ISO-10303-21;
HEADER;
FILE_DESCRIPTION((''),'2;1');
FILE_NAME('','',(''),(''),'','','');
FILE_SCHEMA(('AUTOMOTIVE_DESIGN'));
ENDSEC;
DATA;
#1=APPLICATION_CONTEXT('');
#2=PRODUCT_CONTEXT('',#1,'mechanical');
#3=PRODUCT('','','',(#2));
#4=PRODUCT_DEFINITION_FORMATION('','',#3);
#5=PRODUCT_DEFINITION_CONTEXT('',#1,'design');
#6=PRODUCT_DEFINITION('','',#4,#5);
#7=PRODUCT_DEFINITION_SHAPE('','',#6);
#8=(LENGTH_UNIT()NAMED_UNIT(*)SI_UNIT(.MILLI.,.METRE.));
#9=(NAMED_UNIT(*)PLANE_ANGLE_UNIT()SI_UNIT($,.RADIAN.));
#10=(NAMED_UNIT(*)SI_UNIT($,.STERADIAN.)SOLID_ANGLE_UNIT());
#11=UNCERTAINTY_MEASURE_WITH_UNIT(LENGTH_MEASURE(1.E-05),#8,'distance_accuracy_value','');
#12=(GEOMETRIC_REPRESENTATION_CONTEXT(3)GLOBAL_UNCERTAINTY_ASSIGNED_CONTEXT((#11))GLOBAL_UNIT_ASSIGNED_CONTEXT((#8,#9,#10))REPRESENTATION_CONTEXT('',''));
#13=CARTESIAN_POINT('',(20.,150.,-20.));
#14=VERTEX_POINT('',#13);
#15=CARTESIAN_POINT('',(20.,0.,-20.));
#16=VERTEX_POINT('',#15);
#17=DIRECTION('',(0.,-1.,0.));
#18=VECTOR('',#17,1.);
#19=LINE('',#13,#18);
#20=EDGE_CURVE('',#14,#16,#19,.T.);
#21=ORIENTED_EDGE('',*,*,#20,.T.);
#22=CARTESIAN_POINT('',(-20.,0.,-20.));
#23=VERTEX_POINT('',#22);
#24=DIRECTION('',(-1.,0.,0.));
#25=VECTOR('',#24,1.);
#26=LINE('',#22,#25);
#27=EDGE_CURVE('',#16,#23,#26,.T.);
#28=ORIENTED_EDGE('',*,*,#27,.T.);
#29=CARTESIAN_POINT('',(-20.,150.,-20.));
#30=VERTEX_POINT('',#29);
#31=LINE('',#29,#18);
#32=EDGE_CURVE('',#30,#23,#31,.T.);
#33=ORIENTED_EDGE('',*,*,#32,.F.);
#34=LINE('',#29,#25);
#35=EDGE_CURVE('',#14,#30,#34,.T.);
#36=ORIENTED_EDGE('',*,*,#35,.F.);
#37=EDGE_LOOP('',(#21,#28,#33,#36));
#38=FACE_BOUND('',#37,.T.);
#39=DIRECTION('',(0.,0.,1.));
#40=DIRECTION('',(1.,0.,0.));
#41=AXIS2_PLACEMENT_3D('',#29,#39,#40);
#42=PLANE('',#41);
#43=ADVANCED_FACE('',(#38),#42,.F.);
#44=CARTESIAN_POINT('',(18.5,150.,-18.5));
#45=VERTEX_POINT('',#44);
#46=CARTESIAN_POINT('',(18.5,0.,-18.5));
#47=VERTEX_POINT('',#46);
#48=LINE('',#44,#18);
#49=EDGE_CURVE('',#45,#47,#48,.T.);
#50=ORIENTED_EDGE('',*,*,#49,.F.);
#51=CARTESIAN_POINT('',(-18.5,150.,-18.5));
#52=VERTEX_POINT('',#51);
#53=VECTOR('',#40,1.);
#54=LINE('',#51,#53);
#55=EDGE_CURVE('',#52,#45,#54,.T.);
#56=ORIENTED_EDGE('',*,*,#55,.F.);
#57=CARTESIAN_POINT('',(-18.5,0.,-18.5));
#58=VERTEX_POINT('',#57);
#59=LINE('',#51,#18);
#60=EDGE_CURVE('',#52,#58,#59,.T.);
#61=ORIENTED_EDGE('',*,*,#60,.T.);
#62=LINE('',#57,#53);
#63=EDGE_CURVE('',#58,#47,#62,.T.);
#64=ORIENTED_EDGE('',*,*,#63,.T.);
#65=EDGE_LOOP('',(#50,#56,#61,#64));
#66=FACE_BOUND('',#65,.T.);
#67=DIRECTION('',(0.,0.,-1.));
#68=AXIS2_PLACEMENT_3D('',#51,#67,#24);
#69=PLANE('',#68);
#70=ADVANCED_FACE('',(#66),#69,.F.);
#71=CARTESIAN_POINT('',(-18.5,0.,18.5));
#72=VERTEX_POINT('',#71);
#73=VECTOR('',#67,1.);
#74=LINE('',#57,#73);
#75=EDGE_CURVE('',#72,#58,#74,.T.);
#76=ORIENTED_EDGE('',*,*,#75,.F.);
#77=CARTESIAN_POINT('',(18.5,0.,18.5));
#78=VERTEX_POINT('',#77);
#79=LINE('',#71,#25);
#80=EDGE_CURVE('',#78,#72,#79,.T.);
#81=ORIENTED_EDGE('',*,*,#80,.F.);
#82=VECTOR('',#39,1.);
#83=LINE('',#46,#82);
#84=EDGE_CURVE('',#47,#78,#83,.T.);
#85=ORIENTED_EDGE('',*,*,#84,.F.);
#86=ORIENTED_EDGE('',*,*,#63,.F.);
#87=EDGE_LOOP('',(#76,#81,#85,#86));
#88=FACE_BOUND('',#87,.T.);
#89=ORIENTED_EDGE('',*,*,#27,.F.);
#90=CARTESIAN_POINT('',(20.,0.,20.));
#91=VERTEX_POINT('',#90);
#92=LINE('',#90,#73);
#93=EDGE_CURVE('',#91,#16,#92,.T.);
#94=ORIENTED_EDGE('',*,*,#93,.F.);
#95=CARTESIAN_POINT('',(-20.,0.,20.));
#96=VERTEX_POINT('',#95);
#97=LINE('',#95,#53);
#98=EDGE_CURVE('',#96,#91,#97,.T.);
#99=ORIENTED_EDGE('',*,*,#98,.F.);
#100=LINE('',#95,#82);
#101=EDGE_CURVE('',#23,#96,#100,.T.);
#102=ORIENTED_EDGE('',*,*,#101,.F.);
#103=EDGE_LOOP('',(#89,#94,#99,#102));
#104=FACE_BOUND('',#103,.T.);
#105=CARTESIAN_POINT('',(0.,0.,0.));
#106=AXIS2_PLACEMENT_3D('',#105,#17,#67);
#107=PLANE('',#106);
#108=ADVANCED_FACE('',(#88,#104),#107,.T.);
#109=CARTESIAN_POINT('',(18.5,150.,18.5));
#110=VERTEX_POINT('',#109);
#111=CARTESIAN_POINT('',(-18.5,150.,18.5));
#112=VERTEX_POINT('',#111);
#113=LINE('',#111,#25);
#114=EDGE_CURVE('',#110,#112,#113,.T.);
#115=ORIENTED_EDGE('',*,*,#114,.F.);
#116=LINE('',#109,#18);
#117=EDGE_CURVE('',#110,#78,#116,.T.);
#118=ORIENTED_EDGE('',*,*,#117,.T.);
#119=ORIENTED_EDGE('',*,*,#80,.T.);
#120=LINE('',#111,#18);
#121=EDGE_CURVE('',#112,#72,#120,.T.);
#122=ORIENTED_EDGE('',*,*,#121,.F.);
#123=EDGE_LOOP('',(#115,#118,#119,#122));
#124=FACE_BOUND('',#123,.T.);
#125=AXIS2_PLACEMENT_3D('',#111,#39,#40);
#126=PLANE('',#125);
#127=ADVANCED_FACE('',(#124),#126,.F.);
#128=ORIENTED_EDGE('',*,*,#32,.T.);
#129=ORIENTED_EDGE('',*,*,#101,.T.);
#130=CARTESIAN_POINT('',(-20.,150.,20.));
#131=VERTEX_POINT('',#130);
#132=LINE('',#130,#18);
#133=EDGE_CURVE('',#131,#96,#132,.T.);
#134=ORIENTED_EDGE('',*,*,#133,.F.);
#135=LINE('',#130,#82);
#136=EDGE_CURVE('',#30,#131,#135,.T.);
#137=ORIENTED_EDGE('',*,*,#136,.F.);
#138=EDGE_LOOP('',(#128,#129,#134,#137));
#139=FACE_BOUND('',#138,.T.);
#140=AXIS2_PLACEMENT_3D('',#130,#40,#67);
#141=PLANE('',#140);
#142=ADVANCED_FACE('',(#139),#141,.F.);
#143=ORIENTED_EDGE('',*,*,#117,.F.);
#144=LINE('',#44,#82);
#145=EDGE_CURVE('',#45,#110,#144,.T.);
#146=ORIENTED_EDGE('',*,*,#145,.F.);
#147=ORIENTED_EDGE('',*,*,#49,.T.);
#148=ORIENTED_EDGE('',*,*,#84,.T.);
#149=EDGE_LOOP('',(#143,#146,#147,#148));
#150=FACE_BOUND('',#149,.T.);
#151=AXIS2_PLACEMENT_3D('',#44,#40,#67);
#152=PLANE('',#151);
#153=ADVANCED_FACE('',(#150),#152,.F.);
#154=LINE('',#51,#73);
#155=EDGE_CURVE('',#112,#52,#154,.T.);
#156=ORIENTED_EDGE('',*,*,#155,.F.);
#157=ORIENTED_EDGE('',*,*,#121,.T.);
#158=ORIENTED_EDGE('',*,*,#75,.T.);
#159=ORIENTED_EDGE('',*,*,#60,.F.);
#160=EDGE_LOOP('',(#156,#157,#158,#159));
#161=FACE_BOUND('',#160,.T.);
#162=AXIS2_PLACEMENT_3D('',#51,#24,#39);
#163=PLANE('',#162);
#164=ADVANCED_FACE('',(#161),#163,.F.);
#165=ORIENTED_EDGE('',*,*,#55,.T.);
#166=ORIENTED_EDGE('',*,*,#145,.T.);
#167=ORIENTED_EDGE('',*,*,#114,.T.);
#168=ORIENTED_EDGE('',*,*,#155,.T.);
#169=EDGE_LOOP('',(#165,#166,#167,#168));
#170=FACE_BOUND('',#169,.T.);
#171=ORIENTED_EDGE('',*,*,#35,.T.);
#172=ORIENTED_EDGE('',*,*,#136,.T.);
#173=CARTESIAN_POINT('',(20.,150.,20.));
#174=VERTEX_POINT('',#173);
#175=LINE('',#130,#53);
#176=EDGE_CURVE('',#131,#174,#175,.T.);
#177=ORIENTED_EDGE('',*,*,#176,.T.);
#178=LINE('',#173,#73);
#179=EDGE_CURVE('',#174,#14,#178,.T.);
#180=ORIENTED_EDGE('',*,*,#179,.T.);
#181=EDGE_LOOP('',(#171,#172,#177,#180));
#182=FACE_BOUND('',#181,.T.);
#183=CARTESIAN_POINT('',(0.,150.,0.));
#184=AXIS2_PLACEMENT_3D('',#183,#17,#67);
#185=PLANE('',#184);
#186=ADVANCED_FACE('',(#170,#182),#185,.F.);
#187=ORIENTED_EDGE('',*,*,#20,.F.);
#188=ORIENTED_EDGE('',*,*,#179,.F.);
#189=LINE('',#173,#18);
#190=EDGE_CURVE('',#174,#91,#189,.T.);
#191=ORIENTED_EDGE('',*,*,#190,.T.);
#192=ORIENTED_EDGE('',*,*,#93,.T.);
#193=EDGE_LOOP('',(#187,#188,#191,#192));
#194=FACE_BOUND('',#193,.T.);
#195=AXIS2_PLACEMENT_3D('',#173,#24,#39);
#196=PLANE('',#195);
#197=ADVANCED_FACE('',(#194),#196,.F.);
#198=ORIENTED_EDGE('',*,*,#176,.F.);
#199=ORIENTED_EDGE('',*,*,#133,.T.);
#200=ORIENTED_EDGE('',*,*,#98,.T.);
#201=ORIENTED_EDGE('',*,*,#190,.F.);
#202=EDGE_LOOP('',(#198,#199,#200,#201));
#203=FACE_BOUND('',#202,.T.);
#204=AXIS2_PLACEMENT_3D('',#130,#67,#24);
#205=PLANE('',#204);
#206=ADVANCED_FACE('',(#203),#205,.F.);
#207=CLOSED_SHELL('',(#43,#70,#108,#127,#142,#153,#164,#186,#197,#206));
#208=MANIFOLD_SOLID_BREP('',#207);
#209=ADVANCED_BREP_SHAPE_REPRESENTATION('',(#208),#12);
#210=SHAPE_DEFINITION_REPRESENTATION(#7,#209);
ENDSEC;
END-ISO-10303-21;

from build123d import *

# Parameters (mm, degrees)
ESBO_O1_W                = 40
ESBO_O1_H                = 40
RESSALTO_EXTRUS_O1_DEPTH = 150
ESBO_O2_W                = 37
ESBO_O2_H                = 37
CORTE_EXTRUS_O1_DEPTH    = 151


with BuildPart() as part:
    # Esboço1 → Ressalto-extrusão1 (new body)
    with BuildSketch(Plane(origin=(0, 0, 0), x_dir=(1, 0, 0), z_dir=(0, 1, 0))):
        Rectangle(ESBO_O1_W, ESBO_O1_H)
    extrude(amount=RESSALTO_EXTRUS_O1_DEPTH)

    # Esboço2 → Corte-extrusão1 (cut, through all)
    with BuildSketch(Plane.XZ):
        Rectangle(ESBO_O2_W, ESBO_O2_H)
    extrude(amount=-CORTE_EXTRUS_O1_DEPTH, mode=Mode.SUBTRACT)


solid = part.part
